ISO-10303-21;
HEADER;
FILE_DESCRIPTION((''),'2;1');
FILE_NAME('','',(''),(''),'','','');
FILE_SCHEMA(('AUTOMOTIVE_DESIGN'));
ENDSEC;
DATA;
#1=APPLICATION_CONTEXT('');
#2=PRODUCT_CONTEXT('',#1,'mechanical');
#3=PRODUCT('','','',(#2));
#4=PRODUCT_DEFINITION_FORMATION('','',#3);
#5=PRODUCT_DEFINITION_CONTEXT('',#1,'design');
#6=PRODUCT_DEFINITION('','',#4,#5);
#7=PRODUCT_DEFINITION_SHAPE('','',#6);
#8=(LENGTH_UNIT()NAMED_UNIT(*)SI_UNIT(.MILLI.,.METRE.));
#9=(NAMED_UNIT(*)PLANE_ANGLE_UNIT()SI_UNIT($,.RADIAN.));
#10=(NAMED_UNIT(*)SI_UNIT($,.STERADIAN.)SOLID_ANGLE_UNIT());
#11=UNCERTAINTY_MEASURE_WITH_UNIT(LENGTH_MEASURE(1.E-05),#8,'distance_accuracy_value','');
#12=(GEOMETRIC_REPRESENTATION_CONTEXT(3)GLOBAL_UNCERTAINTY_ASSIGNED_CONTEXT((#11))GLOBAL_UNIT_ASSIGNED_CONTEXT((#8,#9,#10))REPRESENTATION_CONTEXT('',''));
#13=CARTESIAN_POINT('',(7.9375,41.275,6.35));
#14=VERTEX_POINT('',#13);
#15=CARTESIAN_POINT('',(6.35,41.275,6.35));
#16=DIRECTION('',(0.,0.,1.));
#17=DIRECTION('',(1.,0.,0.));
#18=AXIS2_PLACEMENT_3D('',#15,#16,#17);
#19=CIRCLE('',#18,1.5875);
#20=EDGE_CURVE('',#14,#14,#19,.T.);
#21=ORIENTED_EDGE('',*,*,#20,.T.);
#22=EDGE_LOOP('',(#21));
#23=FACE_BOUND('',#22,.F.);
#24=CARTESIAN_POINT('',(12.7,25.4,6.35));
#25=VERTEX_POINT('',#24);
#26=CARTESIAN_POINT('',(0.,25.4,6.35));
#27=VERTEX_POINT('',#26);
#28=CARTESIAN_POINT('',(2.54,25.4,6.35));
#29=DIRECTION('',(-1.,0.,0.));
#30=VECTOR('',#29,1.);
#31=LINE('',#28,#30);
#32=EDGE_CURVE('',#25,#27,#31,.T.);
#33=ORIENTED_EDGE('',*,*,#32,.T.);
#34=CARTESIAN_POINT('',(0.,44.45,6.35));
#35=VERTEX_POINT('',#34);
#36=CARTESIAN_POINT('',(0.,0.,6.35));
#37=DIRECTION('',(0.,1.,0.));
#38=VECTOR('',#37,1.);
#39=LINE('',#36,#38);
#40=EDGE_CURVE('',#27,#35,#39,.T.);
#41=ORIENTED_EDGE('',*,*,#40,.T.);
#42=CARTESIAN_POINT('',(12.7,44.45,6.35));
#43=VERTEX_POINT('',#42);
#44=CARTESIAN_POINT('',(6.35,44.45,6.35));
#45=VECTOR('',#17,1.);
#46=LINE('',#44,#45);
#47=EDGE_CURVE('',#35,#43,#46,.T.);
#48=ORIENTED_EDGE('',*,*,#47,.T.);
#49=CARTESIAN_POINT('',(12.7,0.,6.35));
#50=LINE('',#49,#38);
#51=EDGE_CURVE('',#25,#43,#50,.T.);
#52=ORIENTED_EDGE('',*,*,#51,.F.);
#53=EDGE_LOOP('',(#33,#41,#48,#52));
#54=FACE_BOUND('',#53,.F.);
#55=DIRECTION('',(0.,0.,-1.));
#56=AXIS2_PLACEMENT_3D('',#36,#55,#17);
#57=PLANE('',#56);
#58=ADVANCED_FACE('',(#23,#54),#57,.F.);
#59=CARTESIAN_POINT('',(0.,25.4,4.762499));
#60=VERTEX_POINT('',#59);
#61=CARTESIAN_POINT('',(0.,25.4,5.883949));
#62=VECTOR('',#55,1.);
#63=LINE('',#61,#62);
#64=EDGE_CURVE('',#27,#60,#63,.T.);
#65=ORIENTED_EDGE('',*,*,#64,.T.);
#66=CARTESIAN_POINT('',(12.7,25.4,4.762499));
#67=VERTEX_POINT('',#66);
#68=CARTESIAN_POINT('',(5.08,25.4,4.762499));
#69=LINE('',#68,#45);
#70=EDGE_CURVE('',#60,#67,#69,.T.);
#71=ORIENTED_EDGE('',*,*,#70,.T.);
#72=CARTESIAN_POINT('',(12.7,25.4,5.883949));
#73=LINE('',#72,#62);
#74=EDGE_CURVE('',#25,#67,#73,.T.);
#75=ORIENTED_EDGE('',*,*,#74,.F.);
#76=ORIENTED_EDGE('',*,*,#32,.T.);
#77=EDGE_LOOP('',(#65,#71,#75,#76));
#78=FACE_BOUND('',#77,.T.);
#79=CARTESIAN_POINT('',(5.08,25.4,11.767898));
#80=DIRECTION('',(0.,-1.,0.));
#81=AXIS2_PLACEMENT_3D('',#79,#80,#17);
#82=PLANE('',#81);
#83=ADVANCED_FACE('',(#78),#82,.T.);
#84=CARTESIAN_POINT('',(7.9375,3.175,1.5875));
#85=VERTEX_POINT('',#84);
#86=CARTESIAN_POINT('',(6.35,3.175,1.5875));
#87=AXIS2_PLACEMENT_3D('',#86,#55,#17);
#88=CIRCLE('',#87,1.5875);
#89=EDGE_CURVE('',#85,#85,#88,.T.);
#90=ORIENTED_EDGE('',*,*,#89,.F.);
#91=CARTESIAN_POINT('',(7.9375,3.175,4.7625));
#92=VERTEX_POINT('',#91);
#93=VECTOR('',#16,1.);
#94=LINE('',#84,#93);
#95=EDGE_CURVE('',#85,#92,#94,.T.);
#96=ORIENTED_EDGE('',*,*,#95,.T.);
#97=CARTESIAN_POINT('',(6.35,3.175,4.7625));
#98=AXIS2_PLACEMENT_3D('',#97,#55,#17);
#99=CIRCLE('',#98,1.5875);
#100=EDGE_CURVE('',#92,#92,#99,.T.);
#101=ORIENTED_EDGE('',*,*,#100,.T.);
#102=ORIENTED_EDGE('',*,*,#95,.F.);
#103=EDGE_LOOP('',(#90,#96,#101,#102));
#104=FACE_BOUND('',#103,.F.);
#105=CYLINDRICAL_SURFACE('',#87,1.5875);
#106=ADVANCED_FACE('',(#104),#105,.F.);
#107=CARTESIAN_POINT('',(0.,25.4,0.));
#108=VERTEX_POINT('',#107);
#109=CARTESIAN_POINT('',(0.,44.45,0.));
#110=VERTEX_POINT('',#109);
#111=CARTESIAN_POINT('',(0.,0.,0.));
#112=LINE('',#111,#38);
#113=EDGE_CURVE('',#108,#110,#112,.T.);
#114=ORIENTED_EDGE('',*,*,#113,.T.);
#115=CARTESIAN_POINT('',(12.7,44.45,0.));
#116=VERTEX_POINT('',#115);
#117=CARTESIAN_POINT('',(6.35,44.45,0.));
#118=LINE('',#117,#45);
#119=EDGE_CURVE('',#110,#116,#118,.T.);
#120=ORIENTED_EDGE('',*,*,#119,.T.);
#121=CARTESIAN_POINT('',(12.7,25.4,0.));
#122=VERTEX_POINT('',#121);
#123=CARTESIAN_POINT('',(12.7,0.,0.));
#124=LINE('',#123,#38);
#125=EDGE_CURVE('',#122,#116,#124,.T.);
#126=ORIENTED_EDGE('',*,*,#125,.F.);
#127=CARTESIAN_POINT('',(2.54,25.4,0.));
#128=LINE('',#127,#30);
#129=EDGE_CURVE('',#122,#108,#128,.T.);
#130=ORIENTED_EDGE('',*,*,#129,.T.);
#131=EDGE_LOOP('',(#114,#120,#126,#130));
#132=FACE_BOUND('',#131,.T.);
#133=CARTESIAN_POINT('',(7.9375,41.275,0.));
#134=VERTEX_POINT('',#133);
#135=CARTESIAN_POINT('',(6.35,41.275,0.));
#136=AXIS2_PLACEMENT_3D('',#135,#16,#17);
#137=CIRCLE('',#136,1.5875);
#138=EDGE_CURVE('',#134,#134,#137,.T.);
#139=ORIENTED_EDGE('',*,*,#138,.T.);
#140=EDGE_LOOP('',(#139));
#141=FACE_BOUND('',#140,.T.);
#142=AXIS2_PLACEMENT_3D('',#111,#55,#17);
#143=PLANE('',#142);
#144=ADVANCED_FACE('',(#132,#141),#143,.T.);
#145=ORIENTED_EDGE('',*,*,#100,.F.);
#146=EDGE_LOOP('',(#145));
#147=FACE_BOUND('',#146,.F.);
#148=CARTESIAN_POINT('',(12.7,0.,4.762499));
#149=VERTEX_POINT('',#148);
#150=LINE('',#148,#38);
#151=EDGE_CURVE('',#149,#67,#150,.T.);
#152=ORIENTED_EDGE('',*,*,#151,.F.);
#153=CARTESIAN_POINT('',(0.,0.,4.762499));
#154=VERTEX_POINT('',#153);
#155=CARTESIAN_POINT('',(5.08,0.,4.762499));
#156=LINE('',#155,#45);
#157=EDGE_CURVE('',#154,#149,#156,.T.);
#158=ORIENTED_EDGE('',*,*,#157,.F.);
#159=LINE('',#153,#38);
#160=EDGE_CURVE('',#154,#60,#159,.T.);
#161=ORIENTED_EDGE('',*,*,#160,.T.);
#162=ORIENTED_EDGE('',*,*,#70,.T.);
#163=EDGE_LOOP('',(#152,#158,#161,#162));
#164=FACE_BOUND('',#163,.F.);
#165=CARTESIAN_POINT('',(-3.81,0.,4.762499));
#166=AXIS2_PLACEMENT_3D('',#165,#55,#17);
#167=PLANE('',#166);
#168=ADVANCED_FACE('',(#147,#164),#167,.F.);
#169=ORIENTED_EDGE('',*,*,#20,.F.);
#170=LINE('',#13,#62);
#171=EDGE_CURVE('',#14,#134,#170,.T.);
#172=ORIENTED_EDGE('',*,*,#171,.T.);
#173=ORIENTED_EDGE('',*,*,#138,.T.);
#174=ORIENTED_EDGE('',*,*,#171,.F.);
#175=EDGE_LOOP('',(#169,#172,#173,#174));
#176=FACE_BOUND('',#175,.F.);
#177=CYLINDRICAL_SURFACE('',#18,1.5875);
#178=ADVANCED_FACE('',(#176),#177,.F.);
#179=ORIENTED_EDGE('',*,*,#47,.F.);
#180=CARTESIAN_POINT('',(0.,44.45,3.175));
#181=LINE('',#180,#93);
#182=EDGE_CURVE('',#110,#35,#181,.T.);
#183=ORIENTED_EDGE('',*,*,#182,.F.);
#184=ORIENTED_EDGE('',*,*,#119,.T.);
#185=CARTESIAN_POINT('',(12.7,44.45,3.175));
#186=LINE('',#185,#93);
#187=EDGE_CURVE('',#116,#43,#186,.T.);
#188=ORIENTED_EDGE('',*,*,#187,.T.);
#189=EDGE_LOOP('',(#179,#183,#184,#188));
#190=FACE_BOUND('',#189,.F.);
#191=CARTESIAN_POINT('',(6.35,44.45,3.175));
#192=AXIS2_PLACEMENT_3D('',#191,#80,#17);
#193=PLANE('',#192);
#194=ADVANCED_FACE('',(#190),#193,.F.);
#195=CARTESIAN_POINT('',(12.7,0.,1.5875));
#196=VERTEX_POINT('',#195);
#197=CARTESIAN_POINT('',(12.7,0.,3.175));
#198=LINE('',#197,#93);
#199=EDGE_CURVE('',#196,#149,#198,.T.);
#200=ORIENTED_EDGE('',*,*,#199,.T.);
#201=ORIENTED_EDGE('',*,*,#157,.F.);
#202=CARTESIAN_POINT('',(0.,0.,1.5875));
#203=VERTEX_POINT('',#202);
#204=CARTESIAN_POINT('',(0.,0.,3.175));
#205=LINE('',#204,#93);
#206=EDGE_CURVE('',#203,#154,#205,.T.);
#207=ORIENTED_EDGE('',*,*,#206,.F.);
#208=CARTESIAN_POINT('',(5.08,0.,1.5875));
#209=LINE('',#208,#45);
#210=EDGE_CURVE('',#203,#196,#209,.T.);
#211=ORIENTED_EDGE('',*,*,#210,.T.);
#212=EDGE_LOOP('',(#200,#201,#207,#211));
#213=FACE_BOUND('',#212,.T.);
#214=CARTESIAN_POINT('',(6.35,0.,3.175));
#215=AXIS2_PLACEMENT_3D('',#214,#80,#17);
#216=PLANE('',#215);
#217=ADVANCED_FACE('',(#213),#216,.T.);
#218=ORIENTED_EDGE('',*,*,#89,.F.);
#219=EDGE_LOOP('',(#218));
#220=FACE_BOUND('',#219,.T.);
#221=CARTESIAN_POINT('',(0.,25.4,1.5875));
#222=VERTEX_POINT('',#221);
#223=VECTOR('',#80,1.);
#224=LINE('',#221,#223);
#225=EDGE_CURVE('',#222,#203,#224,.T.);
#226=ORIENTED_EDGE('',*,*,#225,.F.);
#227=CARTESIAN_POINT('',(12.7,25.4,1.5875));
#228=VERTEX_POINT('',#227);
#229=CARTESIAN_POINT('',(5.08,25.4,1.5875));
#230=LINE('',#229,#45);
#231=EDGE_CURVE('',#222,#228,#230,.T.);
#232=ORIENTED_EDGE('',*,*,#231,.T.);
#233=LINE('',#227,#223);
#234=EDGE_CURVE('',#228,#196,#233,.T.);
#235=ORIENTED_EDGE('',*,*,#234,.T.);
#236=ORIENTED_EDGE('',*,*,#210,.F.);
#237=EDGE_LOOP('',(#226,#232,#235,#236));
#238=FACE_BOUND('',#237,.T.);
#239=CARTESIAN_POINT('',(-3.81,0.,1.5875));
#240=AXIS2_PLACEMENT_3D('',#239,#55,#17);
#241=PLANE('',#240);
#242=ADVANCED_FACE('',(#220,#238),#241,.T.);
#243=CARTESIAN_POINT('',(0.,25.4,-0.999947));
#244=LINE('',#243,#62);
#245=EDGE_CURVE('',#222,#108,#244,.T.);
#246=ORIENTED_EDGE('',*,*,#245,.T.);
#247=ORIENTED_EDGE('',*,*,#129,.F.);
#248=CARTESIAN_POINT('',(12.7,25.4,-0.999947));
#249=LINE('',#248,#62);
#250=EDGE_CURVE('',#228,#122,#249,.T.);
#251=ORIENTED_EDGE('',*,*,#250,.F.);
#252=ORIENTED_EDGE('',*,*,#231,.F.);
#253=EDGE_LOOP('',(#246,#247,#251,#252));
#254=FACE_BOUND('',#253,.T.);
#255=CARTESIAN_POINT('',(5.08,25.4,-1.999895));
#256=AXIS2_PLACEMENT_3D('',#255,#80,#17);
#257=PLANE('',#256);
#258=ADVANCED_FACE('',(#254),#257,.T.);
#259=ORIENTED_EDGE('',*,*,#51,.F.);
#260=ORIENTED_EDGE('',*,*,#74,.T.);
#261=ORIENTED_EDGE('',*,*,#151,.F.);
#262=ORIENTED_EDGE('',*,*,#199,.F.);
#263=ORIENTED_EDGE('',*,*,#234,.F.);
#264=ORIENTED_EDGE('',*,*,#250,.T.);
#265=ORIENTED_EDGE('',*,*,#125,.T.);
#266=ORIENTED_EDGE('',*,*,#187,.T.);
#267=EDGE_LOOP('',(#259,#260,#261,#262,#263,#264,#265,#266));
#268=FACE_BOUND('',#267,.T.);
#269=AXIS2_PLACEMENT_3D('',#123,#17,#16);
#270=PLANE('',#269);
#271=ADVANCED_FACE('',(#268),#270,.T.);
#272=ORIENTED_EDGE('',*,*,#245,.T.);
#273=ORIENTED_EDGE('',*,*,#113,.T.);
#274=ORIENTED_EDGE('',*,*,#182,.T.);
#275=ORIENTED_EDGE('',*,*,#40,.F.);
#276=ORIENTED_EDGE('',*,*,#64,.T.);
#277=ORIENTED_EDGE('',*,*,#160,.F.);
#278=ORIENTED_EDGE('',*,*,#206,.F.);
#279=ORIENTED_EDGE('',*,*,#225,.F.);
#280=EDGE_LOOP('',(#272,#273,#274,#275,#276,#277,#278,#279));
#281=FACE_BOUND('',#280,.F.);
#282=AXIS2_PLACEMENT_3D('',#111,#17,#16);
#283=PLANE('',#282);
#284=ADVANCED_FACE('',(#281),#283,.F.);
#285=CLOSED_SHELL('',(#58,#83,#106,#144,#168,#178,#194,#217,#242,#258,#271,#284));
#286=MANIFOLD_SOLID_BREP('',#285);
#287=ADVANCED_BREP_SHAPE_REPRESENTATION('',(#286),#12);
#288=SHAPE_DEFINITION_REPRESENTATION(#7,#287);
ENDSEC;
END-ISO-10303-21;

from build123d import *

# Parameters (mm, degrees)
F0_W     = 12.7
F0_H     = 6.35
F1_DEPTH = 44.45
F2_W     = 17.78
F2_H     = 7.174791
F3_DEPTH = 6.35
F2_H_2   = 14.010797
F4_DEPTH = 25.4
F5_R     = 1.5875
F6_DEPTH = 3.175
F7_R     = 1.5875
F8_DEPTH = 6.35


with BuildPart() as f1:
    # F0 (on Front) → F1 (new body)
    with BuildSketch(Plane.XZ):
        with Locations((6.35, 3.175)):
            Rectangle(F0_W, F0_H)
    extrude(amount=-F1_DEPTH)

    # F2 (on Front) → F3 (cut)
    with BuildSketch(Plane.XZ):
        with Locations((5.08, -1.999895)):
            Rectangle(F2_W, F2_H)
    extrude(amount=-F3_DEPTH, mode=Mode.SUBTRACT)

    # F2 (on Front) → F4 (cut)
    with BuildSketch(Plane.XZ):
        with Locations((5.08, 11.767898)):
            Rectangle(F2_W, F2_H_2)
        with Locations((5.08, -1.999895)):
            Rectangle(F2_W, F2_H)
    extrude(amount=-F4_DEPTH, mode=Mode.SUBTRACT)

    # F5 (on face) → F6 (cut, through all)
    with BuildSketch(Plane(origin=(0, 0, 1.5875), x_dir=(1, 0, 0), z_dir=(0, 0, -1))):
        with Locations((6.35, -3.175)):
            Circle(F5_R)
    extrude(amount=-F6_DEPTH, mode=Mode.SUBTRACT)

    # F7 (on face) → F8 (cut, through all)
    with BuildSketch(Plane.XY.offset(6.35)):
        with Locations((6.35, 41.275)):
            Circle(F7_R)
    extrude(amount=-F8_DEPTH, mode=Mode.SUBTRACT)


solid = f1.part
